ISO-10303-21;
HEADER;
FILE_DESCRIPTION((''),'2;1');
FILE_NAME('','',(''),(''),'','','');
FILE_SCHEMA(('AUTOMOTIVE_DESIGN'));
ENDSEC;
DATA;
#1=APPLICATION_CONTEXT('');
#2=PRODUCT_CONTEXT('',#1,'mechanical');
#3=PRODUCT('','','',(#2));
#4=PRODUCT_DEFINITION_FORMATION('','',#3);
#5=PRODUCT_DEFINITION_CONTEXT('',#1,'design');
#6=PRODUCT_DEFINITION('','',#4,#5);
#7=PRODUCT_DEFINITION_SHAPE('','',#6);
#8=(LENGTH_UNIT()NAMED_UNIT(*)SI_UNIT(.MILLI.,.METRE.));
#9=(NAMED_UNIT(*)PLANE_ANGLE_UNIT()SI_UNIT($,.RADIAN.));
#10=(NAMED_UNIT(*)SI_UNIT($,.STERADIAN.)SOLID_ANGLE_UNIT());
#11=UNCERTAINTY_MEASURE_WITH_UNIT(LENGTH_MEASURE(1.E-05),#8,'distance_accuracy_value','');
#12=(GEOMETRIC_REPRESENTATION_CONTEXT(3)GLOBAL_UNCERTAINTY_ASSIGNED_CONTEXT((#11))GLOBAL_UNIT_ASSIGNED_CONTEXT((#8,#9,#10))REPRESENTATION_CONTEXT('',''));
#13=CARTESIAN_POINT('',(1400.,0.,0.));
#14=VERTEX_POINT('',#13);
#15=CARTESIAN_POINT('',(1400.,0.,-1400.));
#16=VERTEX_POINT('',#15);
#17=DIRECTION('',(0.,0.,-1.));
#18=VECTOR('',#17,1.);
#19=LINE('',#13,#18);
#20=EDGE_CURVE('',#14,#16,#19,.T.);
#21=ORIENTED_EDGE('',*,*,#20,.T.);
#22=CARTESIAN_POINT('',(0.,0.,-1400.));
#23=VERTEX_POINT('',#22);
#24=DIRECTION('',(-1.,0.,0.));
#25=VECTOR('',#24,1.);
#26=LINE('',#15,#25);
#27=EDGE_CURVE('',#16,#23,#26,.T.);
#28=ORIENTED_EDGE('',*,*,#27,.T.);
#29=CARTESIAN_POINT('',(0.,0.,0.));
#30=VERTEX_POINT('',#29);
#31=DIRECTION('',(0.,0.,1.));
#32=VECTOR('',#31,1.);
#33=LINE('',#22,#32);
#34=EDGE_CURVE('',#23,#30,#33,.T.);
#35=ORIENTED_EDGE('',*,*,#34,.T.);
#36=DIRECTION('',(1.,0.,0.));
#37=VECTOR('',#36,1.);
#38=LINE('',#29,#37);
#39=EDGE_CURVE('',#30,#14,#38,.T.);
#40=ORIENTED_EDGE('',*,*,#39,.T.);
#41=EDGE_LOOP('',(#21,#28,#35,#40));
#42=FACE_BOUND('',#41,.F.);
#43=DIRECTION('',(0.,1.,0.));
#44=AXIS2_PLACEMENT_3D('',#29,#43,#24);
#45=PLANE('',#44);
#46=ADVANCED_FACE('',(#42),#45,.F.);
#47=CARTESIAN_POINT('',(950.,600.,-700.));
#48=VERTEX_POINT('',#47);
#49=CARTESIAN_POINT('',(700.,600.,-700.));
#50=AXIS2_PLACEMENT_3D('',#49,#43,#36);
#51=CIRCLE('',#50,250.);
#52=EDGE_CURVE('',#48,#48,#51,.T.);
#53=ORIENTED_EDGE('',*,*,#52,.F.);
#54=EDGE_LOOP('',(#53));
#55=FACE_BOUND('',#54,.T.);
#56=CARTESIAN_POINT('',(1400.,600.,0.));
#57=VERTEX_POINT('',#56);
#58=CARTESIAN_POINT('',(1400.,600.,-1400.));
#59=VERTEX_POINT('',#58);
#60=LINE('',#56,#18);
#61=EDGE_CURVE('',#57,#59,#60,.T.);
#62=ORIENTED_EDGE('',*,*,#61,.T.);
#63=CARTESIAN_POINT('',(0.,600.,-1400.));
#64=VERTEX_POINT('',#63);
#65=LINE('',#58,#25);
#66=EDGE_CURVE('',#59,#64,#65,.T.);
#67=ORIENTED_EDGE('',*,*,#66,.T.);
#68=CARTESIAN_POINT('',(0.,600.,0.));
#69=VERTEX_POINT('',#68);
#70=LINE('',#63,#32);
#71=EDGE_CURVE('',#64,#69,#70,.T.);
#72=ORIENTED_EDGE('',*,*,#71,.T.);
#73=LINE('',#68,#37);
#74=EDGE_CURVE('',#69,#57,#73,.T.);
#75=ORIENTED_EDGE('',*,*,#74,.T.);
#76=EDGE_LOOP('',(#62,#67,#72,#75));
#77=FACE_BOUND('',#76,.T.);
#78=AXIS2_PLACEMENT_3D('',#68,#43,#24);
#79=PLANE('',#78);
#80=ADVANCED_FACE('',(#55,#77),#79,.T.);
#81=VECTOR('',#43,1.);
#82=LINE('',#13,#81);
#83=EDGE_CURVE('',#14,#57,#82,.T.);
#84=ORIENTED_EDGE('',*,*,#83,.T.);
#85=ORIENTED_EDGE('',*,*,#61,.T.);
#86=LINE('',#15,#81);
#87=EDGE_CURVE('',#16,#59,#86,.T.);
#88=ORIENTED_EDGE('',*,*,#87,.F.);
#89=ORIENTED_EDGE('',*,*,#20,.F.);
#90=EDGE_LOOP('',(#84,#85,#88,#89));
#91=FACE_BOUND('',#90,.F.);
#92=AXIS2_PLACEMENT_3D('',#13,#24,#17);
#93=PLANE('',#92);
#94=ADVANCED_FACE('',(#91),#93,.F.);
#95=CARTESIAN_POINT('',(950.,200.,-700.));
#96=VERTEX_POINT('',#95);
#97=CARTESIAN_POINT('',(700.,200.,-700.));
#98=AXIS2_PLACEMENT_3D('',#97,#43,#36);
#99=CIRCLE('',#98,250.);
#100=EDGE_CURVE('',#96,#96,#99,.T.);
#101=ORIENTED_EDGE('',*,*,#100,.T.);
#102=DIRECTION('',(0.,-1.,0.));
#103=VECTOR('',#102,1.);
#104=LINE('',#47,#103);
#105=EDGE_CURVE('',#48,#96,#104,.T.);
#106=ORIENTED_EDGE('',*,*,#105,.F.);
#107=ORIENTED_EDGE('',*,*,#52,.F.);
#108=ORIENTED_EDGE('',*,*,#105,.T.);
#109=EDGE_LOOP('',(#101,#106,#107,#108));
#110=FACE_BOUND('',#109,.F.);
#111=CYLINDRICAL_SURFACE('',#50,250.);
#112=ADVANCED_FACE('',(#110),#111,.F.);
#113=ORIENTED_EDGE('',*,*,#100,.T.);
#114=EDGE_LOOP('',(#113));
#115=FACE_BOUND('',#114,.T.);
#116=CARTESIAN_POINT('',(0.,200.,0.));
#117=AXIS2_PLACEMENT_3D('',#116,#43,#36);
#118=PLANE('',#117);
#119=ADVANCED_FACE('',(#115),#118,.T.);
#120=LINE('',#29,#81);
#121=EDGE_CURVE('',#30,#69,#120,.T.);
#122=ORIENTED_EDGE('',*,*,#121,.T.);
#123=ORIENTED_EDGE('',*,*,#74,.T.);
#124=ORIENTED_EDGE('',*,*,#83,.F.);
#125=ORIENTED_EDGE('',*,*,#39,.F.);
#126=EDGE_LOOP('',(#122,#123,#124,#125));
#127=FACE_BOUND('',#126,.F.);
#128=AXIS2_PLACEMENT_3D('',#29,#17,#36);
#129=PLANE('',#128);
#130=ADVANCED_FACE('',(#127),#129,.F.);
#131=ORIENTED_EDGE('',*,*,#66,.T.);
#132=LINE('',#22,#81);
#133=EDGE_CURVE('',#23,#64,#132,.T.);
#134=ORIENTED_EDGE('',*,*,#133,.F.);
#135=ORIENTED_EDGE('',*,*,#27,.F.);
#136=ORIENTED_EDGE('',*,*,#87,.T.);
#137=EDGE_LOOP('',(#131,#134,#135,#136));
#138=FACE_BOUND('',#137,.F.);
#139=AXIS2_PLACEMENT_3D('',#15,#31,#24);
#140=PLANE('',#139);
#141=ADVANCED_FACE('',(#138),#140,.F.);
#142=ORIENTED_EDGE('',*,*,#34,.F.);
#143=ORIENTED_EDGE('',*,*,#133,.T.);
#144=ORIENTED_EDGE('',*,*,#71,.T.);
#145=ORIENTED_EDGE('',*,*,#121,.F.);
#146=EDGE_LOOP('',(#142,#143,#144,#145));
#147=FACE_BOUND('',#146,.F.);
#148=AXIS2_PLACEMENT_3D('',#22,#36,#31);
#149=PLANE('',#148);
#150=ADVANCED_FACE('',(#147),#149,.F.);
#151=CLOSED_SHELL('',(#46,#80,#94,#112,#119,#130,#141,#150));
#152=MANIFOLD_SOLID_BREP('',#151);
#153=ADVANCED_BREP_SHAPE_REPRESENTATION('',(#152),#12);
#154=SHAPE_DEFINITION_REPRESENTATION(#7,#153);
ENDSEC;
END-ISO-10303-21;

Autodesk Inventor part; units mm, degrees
ref_plane "YZ Plane" through (0, 0, 0) normal (1, 0, 0) x (0, 1, 0)
ref_plane "XZ Plane" through (0, 0, 0) normal (0, 1, 0) x (-1, 0, 0)
ref_plane "XY Plane" through (0, 0, 0) normal (0, 0, 1) x (1, 0, 0)
sketch "Boceto1" plane through (0, 0, 0) normal (0, 1, 0) x (-1, 0, 0)
  line L0 (0, 0) -> (-1400, 0)
  line L1 (-1400, 0) -> (-1400, -1400)
  line L2 (-1400, -1400) -> (0, -1400)
  line L3 (0, -1400) -> (0, 0)
  dimension "d0" = 1400
  dimension "d1" = 1400
extrude "Extrusión1" add sketch "Boceto1" along normal blind 600
sketch "Boceto2" plane through (0, 600, 0) normal (0, 1, 0) x (1, 0, 0)
  line L0 (0, 0) -> (800, 0)
  circle A0 centre (700, 700) radius 250
  line L1 (0, 1400) -> (0, 0) projected
  line L2 (1400, 1400) -> (0, 1400) projected
  dimension "d6" = 500
  dimension "d9" = 700
  dimension "d10" = 700
extrude "Extrusión2" cut sketch "Boceto2" against normal blind 400
properties part number "Soporte"
